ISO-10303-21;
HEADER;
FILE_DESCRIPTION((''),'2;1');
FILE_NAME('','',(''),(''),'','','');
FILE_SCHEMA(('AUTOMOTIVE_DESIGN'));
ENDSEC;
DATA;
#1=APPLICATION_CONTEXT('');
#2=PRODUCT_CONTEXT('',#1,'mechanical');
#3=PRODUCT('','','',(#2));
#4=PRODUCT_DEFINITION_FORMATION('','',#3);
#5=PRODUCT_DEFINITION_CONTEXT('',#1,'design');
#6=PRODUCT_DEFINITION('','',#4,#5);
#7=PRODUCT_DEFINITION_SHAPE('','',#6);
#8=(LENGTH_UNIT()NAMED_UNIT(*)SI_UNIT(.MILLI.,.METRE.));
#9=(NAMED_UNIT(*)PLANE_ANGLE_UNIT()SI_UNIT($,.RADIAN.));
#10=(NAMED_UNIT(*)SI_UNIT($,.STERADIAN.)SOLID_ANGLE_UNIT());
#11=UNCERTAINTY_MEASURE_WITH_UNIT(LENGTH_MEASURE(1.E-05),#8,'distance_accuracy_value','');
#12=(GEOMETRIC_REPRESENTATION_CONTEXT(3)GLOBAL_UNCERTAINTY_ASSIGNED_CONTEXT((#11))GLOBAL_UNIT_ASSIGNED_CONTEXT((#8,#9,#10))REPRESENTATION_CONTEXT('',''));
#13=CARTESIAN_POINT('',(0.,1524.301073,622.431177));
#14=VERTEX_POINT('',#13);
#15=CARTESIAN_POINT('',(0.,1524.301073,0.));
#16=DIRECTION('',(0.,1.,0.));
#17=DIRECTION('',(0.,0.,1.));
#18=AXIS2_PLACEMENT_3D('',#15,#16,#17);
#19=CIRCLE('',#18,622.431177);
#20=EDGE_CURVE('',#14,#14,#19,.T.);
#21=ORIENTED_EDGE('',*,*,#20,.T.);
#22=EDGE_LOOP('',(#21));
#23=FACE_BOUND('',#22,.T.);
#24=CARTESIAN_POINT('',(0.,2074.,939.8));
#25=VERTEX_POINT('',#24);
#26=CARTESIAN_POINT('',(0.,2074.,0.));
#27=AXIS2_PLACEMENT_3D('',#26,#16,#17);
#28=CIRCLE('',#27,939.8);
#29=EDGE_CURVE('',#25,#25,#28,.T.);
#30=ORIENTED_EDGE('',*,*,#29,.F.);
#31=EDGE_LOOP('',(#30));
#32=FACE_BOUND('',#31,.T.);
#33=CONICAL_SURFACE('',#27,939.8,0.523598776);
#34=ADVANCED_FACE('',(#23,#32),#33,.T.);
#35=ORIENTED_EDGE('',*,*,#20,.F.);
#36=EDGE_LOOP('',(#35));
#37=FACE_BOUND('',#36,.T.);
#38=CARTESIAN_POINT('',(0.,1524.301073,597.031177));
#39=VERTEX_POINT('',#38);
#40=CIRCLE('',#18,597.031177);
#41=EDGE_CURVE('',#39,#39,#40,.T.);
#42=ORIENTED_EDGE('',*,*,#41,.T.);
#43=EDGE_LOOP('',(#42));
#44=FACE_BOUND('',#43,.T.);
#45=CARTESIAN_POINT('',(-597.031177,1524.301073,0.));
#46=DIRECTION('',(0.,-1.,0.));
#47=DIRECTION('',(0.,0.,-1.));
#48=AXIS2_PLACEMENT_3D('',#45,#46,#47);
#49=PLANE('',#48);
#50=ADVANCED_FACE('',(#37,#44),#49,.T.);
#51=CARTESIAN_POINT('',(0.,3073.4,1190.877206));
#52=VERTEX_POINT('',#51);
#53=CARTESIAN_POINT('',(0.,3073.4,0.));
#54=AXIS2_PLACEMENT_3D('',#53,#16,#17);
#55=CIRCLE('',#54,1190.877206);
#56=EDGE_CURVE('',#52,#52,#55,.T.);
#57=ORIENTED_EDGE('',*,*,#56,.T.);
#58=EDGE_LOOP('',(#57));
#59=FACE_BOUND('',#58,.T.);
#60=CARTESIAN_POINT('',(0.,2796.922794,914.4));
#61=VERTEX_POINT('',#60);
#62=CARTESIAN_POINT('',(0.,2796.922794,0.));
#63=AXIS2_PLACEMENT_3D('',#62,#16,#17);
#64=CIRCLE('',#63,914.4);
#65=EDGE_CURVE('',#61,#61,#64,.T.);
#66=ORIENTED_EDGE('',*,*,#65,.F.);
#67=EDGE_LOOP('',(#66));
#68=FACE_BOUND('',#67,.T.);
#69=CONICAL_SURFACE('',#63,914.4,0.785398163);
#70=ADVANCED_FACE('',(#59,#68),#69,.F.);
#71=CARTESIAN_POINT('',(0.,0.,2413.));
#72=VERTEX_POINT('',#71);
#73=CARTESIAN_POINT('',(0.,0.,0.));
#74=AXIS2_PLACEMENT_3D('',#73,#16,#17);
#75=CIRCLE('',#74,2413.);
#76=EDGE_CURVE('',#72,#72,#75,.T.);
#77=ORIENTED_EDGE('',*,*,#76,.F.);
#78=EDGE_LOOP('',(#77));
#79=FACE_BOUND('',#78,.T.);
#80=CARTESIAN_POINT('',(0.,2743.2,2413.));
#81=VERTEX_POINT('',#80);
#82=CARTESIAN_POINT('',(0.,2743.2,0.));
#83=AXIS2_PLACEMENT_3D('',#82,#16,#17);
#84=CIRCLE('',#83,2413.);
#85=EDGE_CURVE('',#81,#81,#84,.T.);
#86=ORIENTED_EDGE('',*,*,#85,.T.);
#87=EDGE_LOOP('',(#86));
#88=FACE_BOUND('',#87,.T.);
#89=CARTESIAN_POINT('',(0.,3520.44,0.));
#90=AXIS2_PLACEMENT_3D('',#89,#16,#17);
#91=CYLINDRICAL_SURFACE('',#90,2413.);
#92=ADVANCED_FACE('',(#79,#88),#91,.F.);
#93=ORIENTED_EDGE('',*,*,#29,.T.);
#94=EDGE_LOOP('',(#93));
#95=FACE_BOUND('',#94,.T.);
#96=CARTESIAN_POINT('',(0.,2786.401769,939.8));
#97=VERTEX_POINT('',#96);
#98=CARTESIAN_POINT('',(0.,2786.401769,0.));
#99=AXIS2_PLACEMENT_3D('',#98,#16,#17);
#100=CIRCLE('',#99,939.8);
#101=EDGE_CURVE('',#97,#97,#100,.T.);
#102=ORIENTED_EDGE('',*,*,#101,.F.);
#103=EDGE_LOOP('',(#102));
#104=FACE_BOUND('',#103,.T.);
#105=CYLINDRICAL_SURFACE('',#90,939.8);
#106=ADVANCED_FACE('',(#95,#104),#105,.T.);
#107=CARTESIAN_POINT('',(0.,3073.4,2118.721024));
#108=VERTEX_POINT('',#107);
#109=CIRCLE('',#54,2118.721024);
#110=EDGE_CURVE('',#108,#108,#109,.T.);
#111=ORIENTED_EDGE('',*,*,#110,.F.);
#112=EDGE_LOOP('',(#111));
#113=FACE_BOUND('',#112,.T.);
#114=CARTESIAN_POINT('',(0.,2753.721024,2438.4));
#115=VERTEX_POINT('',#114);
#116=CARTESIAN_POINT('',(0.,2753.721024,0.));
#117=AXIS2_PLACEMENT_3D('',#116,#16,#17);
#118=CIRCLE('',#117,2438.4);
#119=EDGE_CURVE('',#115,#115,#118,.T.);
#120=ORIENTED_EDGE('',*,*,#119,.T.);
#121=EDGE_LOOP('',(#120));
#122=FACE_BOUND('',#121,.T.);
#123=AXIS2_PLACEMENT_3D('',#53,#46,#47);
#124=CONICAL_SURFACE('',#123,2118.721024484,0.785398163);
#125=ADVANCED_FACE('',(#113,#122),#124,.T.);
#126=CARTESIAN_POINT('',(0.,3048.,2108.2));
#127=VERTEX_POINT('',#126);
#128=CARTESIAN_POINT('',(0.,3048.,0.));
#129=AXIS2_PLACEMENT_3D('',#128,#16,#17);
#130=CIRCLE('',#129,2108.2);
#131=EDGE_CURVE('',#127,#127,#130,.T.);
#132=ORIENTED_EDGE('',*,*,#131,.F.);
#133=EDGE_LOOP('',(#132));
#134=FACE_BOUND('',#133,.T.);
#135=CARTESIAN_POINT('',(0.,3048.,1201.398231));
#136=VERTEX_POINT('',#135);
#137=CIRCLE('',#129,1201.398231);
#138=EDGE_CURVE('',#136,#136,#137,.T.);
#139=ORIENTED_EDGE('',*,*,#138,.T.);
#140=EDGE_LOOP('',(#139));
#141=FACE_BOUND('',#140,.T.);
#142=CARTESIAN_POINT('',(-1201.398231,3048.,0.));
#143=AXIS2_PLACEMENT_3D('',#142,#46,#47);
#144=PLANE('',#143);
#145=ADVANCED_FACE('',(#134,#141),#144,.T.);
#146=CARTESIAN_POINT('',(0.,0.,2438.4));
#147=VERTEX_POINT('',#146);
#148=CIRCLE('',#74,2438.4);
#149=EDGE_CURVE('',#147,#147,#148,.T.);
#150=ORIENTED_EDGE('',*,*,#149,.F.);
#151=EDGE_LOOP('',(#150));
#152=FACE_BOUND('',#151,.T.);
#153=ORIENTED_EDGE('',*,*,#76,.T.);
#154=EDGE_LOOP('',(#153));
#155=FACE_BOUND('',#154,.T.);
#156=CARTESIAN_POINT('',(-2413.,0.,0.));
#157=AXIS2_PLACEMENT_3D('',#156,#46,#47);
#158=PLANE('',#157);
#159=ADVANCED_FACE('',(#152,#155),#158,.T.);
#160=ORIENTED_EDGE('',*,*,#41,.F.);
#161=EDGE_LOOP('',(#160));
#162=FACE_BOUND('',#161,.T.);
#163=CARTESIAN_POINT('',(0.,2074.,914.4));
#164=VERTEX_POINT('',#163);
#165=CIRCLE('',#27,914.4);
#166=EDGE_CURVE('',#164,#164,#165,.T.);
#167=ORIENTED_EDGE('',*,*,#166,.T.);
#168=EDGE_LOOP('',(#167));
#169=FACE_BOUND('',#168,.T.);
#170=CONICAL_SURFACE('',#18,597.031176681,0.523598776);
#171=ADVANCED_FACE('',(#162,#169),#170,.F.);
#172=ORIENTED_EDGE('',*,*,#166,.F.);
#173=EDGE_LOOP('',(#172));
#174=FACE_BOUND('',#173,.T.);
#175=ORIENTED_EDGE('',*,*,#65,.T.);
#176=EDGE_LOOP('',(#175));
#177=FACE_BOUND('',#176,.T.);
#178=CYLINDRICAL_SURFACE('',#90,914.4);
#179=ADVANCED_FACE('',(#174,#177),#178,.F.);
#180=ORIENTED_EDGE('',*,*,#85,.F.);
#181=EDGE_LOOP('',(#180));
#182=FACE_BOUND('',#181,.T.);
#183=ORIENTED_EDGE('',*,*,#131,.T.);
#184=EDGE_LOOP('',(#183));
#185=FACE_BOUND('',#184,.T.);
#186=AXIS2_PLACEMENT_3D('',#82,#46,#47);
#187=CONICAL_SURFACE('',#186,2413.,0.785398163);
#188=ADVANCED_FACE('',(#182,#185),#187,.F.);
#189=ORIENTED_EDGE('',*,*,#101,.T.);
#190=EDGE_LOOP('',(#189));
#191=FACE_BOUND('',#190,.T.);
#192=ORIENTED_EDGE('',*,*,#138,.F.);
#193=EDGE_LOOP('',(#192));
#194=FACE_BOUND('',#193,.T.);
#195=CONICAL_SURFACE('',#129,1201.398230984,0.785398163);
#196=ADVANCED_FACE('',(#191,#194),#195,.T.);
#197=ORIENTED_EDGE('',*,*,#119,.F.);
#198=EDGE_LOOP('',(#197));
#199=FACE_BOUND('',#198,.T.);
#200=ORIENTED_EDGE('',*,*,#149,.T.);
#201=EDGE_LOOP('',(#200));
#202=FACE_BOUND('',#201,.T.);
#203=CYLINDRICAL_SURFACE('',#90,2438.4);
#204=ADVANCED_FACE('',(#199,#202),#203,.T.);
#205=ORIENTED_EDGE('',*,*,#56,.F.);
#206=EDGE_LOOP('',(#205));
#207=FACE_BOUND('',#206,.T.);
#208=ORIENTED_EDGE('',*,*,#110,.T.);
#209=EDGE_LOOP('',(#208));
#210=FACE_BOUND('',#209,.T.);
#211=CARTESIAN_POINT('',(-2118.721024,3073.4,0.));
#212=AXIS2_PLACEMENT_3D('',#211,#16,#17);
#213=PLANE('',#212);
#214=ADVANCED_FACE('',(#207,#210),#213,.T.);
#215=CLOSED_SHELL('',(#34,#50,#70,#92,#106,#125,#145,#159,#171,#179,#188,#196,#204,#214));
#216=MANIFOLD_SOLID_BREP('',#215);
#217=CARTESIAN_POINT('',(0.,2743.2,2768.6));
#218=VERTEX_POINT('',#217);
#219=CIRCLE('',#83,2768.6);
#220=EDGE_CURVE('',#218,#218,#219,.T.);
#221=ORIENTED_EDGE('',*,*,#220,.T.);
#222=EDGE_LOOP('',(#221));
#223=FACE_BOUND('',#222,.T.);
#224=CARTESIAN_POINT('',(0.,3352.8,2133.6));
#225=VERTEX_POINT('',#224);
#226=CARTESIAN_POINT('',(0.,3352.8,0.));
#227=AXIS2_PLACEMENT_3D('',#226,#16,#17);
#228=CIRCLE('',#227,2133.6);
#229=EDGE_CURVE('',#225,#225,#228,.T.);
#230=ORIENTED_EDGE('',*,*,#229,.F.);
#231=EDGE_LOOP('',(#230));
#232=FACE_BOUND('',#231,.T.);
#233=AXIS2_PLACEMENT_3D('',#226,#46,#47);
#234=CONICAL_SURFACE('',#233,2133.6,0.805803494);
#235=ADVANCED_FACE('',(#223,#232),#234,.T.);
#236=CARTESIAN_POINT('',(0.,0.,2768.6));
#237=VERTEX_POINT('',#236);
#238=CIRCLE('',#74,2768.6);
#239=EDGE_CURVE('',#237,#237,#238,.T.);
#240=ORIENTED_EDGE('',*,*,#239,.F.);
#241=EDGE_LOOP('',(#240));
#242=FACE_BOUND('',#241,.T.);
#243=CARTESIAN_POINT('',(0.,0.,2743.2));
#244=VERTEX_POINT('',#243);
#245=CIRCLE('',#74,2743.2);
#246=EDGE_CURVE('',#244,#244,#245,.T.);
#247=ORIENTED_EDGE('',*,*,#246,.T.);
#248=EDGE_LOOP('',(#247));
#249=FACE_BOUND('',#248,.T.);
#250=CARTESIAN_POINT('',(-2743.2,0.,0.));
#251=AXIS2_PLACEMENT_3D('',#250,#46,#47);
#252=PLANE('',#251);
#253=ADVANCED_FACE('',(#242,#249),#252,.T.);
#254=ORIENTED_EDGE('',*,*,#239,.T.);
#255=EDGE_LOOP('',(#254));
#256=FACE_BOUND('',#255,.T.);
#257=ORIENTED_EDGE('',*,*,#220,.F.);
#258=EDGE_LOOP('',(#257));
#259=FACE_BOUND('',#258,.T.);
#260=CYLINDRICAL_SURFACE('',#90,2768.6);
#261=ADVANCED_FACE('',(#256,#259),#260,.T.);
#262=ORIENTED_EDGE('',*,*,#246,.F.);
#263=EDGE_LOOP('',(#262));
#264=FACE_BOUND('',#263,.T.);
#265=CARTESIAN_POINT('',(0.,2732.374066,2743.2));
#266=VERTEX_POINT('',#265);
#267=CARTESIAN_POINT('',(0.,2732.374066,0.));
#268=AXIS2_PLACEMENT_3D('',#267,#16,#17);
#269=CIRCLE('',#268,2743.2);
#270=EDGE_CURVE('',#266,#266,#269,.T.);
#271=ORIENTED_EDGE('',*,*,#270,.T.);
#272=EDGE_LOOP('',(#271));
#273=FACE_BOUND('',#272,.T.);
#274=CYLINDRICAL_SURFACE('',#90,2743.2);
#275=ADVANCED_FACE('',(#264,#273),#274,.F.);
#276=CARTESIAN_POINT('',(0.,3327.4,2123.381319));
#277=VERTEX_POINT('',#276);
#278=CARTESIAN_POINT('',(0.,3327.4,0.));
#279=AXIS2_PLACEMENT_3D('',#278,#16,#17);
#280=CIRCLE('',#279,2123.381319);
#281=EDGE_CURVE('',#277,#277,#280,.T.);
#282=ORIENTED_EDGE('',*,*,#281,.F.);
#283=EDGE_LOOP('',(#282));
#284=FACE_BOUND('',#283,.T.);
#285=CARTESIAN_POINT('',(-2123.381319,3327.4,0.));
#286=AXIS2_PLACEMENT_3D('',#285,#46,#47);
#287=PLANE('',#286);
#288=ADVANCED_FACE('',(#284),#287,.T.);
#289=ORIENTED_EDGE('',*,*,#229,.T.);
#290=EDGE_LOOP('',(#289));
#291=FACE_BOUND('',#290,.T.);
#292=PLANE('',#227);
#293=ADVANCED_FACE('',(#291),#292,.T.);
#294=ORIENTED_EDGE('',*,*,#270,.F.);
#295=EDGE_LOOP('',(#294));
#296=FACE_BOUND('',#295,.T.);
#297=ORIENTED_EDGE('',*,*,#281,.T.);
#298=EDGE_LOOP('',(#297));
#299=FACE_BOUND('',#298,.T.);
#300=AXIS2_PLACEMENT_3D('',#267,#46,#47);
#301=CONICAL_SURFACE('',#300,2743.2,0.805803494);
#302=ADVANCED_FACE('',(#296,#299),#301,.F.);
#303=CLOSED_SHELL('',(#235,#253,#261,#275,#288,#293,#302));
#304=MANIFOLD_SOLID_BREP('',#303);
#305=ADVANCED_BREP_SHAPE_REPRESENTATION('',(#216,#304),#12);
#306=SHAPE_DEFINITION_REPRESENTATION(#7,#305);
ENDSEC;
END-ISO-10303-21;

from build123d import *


with BuildPart() as part:
    # Sketch1 → Revolve1 (revolve)
    with BuildSketch(Plane.XY):
        Polygon((-2438.4, 0), (-2438.4, 2753.721024484), (-2118.721024484, 3073.4), (-1190.8772065, 3073.4), (-914.4, 2796.9227935), (-914.4, 2074), (-597.031176681, 1524.301073273), (-622.431176681, 1524.301073273), (-939.8, 2074), (-939.8, 2786.401769016), (-1201.398230984, 3048), (-2108.2, 3048), (-2413, 2743.2), (-2413, 0), align=None)
    revolve(axis=Axis((0, 3520.44, 0), (0, -1, 0)))


with BuildPart() as body_2:
    # Sketch2 → Revolve2 (revolve)
    with BuildSketch(Plane.XY):
        Polygon((-2743.2, 0), (-2768.6, 0), (-2768.6, 2743.2), (-2133.6, 3352.8), (0, 3352.8), (0, 3327.4), (-2123.381318695, 3327.4), (-2743.2, 2732.374065947), align=None)
    revolve(axis=Axis((0, 3520.44, 0), (0, -1, 0)))


solid = Compound([part.part, body_2.part])
